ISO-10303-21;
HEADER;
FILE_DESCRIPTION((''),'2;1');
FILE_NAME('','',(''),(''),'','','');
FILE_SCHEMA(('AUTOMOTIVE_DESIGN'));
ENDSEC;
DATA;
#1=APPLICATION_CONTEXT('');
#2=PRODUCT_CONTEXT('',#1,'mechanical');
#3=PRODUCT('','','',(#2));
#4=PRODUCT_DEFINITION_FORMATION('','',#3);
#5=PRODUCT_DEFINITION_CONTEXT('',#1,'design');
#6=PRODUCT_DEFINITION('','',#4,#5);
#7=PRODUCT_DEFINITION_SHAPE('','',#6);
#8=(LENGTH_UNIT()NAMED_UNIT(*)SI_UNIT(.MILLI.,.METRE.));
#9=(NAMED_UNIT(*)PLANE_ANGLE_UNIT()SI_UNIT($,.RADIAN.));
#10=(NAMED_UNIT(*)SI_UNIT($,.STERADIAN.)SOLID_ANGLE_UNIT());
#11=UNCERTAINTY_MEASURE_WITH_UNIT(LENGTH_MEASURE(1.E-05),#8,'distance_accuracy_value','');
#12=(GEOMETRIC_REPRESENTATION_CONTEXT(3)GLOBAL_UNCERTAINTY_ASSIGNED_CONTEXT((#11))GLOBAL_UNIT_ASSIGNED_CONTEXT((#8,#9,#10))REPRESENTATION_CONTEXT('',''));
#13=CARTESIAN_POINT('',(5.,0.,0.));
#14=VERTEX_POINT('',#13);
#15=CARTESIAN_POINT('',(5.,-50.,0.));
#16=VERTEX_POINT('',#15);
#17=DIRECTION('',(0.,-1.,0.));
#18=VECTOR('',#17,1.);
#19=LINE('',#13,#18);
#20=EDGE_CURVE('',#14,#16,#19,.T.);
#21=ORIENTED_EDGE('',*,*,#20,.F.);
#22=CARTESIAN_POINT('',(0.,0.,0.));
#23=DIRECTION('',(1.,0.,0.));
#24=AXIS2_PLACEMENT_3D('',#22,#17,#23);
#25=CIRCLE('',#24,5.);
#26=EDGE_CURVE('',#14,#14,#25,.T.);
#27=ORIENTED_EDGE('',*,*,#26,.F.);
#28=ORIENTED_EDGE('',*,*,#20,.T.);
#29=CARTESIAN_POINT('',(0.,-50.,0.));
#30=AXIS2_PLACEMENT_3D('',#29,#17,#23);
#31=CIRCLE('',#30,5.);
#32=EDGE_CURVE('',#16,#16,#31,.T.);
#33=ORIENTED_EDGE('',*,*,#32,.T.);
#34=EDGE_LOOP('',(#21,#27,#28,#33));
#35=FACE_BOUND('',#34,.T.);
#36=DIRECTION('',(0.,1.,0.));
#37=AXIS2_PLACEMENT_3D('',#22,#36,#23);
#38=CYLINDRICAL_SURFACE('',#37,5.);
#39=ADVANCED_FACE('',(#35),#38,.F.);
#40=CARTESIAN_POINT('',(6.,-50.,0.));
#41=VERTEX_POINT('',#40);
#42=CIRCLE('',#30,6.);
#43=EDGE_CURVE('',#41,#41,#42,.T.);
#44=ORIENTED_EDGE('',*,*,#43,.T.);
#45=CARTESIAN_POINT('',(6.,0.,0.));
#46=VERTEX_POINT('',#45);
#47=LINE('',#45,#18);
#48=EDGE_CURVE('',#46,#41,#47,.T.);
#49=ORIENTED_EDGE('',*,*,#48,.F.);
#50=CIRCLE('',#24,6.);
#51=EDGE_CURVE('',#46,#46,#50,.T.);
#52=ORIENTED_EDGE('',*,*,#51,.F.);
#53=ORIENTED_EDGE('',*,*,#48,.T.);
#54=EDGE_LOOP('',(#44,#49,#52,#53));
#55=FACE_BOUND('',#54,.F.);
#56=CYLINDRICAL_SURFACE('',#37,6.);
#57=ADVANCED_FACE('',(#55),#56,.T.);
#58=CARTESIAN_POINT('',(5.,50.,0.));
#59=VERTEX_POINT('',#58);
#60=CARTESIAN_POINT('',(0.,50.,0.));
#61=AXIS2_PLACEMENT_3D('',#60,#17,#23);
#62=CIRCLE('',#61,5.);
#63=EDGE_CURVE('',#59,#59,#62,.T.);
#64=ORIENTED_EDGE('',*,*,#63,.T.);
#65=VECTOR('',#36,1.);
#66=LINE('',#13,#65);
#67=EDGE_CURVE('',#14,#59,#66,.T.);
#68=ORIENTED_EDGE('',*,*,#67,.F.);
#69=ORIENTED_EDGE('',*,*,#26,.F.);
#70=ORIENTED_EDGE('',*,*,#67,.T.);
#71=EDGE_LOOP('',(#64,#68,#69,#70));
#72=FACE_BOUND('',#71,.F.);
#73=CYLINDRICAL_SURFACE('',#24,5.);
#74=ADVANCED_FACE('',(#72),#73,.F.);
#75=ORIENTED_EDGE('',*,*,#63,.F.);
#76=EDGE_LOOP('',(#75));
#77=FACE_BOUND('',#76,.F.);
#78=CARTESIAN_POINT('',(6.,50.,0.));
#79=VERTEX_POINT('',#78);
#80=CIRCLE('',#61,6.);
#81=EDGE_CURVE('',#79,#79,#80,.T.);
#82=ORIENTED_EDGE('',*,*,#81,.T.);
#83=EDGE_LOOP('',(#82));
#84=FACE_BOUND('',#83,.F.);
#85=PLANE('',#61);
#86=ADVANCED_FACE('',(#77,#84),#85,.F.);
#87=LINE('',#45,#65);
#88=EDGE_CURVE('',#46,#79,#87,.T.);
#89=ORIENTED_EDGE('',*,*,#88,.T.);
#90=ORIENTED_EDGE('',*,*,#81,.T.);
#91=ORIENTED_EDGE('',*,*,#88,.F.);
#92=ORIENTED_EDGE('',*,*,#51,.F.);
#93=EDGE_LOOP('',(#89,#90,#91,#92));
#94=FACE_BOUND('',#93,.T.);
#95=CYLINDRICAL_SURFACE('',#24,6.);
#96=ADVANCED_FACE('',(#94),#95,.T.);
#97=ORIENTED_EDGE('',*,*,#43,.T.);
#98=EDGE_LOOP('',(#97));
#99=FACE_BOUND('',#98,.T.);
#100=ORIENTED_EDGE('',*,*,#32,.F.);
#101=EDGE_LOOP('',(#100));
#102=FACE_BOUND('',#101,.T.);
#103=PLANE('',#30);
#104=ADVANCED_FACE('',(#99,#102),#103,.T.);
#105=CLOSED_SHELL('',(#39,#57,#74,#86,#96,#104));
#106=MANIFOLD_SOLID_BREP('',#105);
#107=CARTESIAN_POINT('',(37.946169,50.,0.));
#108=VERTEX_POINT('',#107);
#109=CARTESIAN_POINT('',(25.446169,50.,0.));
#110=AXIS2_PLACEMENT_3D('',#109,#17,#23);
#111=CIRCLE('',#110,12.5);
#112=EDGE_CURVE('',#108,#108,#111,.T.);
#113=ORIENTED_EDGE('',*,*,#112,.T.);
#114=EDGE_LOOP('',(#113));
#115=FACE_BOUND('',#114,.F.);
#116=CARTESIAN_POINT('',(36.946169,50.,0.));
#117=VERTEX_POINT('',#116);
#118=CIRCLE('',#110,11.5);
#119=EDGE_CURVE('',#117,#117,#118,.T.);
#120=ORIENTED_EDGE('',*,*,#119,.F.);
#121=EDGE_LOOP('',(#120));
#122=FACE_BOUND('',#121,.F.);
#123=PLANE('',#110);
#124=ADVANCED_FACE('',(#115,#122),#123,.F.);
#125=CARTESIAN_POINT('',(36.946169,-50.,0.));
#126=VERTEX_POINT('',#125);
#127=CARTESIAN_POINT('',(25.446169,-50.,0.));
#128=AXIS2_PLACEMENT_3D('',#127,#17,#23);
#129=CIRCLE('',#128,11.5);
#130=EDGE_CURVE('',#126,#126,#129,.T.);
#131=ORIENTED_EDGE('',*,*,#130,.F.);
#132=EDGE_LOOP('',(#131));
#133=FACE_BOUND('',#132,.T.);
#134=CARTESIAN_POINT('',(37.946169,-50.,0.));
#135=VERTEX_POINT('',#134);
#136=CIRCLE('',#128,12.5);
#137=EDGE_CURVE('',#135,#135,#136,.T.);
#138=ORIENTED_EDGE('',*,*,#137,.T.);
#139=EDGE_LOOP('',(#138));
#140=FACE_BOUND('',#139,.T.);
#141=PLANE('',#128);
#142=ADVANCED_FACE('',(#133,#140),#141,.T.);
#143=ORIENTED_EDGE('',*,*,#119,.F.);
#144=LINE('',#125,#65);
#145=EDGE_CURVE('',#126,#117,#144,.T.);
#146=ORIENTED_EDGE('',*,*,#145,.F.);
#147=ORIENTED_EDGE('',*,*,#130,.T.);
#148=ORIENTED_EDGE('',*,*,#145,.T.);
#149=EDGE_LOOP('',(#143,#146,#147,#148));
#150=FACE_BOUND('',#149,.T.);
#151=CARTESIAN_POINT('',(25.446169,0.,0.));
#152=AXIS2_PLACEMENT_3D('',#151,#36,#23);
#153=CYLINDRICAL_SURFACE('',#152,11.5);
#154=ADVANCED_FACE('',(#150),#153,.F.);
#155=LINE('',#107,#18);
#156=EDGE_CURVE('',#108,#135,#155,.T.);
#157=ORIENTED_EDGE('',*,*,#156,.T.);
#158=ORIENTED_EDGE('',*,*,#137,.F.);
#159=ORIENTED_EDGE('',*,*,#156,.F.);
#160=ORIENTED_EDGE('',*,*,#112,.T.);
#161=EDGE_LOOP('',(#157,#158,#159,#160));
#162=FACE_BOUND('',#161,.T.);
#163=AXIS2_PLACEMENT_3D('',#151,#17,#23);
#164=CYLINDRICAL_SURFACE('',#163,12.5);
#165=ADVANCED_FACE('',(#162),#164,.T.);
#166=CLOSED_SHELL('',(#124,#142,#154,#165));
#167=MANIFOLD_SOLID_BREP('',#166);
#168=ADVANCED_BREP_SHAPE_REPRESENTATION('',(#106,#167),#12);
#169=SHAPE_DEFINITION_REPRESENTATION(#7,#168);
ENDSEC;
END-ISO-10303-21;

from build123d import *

# Parameters (mm, degrees)
F0_R     = 6
F0_R_2   = 5
F0_R_3   = 12.5
F0_R_4   = 11.5
F1_DEPTH = 50


with BuildPart() as f1:
    # F0 (on Front) → F1 (new body, symmetric)
    with BuildSketch(Plane.XZ):
        Circle(F0_R)
        Circle(F0_R_2, mode=Mode.SUBTRACT)
        with Locations((25.446169, 0)):
            Circle(F0_R_3)
        with Locations((25.446169, 0)):
            Circle(F0_R_4, mode=Mode.SUBTRACT)
    extrude(amount=F1_DEPTH, both=True)


solid = f1.part
